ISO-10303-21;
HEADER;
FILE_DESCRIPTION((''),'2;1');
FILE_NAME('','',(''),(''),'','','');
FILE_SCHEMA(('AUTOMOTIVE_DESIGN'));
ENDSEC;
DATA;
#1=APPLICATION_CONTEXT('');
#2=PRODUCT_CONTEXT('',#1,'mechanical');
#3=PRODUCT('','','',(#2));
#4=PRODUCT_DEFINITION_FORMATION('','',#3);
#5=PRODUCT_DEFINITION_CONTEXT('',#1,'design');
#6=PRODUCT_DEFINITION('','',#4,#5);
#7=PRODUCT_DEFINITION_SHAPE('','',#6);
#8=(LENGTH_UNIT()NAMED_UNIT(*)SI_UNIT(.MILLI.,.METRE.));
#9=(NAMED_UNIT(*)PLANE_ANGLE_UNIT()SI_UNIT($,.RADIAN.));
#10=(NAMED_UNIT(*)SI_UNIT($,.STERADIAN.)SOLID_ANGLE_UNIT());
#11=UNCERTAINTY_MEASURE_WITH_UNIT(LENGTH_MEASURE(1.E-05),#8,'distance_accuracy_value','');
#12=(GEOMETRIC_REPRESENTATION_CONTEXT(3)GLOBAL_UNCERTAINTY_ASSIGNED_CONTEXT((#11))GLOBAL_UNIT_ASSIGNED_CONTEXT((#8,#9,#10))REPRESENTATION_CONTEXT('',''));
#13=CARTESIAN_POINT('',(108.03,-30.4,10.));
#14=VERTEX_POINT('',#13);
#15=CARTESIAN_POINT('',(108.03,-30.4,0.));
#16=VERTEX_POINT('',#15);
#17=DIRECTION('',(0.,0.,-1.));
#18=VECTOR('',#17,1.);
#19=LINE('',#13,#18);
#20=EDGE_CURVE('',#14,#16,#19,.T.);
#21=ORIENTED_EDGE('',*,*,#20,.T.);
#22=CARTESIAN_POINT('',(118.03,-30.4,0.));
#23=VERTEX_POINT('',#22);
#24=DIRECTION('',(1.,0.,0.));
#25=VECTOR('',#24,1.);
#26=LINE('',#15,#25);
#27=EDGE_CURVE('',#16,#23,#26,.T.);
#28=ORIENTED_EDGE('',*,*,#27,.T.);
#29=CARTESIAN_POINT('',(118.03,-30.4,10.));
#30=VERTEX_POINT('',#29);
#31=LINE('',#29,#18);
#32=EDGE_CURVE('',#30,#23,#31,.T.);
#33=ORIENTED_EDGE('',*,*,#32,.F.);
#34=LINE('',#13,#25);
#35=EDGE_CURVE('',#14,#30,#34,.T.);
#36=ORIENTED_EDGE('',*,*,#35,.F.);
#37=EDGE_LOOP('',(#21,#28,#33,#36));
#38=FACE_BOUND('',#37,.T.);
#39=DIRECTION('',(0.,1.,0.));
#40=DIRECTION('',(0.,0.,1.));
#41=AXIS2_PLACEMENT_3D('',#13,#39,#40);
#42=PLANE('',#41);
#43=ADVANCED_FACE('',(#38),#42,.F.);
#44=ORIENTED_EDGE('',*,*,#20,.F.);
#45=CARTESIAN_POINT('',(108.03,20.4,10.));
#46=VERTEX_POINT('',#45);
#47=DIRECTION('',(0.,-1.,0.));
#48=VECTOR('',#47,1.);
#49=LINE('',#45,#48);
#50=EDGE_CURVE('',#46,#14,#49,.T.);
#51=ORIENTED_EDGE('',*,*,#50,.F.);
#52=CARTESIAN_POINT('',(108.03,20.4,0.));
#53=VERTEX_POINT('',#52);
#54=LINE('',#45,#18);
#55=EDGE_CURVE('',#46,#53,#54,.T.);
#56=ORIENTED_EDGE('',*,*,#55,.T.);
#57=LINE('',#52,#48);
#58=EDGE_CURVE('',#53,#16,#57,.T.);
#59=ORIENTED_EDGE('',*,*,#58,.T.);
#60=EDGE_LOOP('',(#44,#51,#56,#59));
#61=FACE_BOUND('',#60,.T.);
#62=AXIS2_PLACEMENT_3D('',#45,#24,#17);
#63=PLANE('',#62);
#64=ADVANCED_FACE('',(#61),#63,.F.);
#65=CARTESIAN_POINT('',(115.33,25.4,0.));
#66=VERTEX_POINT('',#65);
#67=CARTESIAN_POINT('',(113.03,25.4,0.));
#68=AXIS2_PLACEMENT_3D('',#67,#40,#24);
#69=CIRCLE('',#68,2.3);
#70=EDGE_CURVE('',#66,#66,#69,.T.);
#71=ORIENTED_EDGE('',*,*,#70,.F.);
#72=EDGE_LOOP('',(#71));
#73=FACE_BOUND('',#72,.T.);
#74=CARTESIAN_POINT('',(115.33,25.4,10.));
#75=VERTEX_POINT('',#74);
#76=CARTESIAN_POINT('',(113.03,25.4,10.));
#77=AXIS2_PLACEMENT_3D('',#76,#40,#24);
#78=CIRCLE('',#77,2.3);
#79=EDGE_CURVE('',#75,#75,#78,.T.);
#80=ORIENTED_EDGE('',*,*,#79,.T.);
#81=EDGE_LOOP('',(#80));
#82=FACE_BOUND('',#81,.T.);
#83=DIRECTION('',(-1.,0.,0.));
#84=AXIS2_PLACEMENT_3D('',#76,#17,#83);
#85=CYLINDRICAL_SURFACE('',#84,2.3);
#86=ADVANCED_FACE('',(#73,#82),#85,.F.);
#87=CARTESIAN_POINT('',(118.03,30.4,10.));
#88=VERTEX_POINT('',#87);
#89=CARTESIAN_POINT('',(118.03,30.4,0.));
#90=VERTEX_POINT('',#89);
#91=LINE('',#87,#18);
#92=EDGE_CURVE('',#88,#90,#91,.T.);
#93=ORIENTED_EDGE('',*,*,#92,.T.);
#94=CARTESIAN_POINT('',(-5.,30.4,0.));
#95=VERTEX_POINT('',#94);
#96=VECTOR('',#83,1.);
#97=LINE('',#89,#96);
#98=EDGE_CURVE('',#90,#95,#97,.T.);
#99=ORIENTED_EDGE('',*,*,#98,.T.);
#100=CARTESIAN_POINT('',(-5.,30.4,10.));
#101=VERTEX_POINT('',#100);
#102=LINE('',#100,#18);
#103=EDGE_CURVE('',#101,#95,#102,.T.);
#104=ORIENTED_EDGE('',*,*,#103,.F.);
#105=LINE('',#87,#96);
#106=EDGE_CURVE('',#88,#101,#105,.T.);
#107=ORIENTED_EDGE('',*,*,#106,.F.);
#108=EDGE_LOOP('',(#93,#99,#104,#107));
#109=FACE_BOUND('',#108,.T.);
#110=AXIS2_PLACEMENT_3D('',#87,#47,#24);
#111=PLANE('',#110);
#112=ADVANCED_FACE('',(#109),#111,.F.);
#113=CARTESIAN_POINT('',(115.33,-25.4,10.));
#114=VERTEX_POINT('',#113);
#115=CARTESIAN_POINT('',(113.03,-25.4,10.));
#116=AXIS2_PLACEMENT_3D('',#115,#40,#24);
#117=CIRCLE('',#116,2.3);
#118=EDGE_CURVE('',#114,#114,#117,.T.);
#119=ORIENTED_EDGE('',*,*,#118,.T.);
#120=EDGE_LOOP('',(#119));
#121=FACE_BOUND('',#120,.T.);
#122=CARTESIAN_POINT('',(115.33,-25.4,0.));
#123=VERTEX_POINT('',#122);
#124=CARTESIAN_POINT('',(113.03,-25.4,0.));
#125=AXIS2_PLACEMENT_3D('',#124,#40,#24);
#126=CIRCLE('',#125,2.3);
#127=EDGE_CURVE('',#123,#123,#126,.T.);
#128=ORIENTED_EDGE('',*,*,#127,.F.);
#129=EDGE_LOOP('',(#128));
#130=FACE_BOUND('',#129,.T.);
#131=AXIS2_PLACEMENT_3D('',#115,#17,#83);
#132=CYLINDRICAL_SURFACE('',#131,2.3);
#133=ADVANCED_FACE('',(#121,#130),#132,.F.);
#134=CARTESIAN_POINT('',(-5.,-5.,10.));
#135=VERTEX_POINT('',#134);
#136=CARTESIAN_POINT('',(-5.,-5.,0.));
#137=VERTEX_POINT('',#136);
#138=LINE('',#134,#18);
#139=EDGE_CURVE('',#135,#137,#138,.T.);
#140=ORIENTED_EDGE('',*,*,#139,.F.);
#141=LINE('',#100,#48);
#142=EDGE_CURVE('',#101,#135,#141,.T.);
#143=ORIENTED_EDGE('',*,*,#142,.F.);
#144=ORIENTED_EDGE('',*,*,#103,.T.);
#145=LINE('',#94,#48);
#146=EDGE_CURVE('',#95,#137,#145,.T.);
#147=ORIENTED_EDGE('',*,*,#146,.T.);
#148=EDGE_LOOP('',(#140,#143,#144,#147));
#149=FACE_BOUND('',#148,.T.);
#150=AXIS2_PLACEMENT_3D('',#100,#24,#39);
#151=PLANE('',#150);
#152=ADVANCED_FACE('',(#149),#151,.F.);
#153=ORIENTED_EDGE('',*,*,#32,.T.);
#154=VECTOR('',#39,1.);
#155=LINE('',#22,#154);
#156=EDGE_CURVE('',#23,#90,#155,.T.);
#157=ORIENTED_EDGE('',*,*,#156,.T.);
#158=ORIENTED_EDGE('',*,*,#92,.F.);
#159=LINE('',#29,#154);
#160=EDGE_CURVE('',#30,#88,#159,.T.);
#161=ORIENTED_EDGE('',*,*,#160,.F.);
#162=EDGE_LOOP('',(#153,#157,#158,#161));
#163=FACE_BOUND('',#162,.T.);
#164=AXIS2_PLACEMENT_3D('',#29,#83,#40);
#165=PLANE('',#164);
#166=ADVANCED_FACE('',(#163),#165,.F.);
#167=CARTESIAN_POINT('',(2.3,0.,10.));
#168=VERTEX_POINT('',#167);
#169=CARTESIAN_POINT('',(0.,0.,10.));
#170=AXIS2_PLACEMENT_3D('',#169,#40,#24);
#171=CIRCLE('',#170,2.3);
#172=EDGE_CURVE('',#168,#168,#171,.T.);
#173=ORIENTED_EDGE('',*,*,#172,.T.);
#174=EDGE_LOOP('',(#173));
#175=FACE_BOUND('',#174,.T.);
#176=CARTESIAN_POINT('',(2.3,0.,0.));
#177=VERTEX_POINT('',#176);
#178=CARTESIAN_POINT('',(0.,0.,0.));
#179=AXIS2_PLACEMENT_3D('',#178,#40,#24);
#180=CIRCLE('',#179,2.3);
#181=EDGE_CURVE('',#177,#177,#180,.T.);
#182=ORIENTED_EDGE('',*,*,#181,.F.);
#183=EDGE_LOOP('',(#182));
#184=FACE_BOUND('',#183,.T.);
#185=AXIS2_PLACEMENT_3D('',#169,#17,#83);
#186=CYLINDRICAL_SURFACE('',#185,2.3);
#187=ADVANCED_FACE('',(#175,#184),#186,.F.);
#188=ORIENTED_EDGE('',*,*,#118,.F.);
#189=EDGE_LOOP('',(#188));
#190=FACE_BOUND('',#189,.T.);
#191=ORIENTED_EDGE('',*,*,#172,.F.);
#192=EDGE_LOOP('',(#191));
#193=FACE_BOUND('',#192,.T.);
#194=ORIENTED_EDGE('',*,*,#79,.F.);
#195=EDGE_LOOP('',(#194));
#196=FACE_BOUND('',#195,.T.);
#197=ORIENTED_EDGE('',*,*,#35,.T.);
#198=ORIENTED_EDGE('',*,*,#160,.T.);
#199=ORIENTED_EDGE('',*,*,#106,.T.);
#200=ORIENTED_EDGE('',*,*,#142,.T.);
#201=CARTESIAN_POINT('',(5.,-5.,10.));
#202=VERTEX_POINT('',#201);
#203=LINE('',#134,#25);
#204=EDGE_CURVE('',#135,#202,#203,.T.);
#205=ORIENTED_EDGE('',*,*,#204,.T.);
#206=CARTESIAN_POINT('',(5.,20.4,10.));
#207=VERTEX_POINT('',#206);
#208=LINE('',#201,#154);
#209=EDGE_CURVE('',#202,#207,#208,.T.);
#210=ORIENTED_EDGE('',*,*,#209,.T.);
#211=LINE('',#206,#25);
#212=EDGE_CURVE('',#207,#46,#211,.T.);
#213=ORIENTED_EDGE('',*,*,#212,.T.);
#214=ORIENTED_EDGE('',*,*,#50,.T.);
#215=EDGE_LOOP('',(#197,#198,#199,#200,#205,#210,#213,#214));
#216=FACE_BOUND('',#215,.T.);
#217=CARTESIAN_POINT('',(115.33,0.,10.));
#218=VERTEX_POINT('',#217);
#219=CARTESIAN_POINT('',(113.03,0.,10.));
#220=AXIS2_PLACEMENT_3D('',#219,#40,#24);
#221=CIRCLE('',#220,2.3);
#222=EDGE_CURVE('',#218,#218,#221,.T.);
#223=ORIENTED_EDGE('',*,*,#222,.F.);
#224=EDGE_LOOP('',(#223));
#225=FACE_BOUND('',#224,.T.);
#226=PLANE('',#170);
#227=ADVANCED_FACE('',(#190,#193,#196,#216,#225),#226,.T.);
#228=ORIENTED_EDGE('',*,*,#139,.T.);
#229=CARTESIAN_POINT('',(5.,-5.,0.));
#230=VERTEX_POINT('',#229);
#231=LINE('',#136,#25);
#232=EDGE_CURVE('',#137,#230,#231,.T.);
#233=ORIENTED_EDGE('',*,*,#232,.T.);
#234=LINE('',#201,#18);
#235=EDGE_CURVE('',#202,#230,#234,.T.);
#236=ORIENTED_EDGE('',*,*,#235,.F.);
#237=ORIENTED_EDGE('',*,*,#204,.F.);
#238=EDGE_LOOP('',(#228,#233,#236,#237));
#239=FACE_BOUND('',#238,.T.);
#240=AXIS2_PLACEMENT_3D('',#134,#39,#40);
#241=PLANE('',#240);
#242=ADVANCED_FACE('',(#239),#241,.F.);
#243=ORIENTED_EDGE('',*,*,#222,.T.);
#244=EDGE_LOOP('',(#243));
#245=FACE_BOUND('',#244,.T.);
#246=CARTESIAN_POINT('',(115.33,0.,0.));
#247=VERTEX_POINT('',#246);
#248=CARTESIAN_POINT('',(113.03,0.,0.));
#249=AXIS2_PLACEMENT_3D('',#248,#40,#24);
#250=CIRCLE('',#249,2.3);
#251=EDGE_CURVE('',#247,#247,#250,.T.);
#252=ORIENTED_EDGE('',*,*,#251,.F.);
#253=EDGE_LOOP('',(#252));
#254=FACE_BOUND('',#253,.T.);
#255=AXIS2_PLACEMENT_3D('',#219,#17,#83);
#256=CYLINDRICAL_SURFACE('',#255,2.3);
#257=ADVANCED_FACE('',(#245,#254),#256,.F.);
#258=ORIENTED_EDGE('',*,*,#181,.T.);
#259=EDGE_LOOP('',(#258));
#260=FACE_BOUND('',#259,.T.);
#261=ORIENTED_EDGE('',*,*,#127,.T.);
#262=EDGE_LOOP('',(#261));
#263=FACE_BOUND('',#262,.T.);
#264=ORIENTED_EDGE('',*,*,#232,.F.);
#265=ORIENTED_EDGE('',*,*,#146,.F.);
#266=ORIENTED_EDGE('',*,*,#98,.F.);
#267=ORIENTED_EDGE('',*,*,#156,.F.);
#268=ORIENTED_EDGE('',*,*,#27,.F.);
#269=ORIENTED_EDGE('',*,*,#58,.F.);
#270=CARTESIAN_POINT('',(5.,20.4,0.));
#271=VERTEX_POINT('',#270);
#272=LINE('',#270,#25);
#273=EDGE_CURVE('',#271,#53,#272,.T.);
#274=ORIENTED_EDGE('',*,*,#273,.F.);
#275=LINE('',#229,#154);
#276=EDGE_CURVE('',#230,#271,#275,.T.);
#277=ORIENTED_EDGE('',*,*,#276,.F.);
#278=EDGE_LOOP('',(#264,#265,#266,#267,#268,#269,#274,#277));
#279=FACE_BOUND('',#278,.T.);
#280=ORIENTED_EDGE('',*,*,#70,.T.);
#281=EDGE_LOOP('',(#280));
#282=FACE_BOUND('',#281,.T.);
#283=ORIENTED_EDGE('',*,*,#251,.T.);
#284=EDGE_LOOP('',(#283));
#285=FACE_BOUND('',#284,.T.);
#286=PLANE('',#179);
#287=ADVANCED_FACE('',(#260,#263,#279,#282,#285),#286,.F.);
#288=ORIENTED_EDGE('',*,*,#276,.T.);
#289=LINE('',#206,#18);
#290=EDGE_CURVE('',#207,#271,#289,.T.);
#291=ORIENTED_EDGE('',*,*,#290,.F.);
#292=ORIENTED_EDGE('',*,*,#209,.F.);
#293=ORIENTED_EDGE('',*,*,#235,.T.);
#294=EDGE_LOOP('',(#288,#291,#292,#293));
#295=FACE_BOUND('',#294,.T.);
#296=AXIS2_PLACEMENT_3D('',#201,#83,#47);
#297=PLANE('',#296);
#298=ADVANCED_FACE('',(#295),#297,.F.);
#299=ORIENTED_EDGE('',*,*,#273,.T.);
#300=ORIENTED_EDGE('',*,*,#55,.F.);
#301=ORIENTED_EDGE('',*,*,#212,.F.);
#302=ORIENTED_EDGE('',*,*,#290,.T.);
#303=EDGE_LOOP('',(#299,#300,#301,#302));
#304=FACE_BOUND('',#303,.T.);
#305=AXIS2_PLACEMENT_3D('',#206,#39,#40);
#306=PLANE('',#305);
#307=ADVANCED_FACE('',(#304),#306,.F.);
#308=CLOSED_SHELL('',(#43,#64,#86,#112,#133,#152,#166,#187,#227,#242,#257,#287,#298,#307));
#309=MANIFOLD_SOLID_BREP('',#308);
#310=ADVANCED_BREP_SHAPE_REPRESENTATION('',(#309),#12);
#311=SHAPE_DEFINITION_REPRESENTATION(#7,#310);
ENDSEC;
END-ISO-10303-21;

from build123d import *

# Parameters (mm, degrees)
SKETCH1_R           = 2.3
BOSS_EXTRUDE1_DEPTH = 10


with BuildPart() as part:
    # Sketch1 → Boss-Extrude1 (new body)
    with BuildSketch(Plane.XY):
        Polygon((108.03, -30.4), (118.03, -30.4), (118.03, 30.4), (-5, 30.4), (-5, -5), (5, -5), (5, 20.4), (108.03, 20.4), align=None)
        Circle(SKETCH1_R, mode=Mode.SUBTRACT)
        with Locations((113.03, 0)):
            Circle(SKETCH1_R, mode=Mode.SUBTRACT)
        with Locations((113.03, -25.4)):
            Circle(SKETCH1_R, mode=Mode.SUBTRACT)
        with Locations((113.03, 25.4)):
            Circle(SKETCH1_R, mode=Mode.SUBTRACT)
    extrude(amount=BOSS_EXTRUDE1_DEPTH)


solid = part.part
